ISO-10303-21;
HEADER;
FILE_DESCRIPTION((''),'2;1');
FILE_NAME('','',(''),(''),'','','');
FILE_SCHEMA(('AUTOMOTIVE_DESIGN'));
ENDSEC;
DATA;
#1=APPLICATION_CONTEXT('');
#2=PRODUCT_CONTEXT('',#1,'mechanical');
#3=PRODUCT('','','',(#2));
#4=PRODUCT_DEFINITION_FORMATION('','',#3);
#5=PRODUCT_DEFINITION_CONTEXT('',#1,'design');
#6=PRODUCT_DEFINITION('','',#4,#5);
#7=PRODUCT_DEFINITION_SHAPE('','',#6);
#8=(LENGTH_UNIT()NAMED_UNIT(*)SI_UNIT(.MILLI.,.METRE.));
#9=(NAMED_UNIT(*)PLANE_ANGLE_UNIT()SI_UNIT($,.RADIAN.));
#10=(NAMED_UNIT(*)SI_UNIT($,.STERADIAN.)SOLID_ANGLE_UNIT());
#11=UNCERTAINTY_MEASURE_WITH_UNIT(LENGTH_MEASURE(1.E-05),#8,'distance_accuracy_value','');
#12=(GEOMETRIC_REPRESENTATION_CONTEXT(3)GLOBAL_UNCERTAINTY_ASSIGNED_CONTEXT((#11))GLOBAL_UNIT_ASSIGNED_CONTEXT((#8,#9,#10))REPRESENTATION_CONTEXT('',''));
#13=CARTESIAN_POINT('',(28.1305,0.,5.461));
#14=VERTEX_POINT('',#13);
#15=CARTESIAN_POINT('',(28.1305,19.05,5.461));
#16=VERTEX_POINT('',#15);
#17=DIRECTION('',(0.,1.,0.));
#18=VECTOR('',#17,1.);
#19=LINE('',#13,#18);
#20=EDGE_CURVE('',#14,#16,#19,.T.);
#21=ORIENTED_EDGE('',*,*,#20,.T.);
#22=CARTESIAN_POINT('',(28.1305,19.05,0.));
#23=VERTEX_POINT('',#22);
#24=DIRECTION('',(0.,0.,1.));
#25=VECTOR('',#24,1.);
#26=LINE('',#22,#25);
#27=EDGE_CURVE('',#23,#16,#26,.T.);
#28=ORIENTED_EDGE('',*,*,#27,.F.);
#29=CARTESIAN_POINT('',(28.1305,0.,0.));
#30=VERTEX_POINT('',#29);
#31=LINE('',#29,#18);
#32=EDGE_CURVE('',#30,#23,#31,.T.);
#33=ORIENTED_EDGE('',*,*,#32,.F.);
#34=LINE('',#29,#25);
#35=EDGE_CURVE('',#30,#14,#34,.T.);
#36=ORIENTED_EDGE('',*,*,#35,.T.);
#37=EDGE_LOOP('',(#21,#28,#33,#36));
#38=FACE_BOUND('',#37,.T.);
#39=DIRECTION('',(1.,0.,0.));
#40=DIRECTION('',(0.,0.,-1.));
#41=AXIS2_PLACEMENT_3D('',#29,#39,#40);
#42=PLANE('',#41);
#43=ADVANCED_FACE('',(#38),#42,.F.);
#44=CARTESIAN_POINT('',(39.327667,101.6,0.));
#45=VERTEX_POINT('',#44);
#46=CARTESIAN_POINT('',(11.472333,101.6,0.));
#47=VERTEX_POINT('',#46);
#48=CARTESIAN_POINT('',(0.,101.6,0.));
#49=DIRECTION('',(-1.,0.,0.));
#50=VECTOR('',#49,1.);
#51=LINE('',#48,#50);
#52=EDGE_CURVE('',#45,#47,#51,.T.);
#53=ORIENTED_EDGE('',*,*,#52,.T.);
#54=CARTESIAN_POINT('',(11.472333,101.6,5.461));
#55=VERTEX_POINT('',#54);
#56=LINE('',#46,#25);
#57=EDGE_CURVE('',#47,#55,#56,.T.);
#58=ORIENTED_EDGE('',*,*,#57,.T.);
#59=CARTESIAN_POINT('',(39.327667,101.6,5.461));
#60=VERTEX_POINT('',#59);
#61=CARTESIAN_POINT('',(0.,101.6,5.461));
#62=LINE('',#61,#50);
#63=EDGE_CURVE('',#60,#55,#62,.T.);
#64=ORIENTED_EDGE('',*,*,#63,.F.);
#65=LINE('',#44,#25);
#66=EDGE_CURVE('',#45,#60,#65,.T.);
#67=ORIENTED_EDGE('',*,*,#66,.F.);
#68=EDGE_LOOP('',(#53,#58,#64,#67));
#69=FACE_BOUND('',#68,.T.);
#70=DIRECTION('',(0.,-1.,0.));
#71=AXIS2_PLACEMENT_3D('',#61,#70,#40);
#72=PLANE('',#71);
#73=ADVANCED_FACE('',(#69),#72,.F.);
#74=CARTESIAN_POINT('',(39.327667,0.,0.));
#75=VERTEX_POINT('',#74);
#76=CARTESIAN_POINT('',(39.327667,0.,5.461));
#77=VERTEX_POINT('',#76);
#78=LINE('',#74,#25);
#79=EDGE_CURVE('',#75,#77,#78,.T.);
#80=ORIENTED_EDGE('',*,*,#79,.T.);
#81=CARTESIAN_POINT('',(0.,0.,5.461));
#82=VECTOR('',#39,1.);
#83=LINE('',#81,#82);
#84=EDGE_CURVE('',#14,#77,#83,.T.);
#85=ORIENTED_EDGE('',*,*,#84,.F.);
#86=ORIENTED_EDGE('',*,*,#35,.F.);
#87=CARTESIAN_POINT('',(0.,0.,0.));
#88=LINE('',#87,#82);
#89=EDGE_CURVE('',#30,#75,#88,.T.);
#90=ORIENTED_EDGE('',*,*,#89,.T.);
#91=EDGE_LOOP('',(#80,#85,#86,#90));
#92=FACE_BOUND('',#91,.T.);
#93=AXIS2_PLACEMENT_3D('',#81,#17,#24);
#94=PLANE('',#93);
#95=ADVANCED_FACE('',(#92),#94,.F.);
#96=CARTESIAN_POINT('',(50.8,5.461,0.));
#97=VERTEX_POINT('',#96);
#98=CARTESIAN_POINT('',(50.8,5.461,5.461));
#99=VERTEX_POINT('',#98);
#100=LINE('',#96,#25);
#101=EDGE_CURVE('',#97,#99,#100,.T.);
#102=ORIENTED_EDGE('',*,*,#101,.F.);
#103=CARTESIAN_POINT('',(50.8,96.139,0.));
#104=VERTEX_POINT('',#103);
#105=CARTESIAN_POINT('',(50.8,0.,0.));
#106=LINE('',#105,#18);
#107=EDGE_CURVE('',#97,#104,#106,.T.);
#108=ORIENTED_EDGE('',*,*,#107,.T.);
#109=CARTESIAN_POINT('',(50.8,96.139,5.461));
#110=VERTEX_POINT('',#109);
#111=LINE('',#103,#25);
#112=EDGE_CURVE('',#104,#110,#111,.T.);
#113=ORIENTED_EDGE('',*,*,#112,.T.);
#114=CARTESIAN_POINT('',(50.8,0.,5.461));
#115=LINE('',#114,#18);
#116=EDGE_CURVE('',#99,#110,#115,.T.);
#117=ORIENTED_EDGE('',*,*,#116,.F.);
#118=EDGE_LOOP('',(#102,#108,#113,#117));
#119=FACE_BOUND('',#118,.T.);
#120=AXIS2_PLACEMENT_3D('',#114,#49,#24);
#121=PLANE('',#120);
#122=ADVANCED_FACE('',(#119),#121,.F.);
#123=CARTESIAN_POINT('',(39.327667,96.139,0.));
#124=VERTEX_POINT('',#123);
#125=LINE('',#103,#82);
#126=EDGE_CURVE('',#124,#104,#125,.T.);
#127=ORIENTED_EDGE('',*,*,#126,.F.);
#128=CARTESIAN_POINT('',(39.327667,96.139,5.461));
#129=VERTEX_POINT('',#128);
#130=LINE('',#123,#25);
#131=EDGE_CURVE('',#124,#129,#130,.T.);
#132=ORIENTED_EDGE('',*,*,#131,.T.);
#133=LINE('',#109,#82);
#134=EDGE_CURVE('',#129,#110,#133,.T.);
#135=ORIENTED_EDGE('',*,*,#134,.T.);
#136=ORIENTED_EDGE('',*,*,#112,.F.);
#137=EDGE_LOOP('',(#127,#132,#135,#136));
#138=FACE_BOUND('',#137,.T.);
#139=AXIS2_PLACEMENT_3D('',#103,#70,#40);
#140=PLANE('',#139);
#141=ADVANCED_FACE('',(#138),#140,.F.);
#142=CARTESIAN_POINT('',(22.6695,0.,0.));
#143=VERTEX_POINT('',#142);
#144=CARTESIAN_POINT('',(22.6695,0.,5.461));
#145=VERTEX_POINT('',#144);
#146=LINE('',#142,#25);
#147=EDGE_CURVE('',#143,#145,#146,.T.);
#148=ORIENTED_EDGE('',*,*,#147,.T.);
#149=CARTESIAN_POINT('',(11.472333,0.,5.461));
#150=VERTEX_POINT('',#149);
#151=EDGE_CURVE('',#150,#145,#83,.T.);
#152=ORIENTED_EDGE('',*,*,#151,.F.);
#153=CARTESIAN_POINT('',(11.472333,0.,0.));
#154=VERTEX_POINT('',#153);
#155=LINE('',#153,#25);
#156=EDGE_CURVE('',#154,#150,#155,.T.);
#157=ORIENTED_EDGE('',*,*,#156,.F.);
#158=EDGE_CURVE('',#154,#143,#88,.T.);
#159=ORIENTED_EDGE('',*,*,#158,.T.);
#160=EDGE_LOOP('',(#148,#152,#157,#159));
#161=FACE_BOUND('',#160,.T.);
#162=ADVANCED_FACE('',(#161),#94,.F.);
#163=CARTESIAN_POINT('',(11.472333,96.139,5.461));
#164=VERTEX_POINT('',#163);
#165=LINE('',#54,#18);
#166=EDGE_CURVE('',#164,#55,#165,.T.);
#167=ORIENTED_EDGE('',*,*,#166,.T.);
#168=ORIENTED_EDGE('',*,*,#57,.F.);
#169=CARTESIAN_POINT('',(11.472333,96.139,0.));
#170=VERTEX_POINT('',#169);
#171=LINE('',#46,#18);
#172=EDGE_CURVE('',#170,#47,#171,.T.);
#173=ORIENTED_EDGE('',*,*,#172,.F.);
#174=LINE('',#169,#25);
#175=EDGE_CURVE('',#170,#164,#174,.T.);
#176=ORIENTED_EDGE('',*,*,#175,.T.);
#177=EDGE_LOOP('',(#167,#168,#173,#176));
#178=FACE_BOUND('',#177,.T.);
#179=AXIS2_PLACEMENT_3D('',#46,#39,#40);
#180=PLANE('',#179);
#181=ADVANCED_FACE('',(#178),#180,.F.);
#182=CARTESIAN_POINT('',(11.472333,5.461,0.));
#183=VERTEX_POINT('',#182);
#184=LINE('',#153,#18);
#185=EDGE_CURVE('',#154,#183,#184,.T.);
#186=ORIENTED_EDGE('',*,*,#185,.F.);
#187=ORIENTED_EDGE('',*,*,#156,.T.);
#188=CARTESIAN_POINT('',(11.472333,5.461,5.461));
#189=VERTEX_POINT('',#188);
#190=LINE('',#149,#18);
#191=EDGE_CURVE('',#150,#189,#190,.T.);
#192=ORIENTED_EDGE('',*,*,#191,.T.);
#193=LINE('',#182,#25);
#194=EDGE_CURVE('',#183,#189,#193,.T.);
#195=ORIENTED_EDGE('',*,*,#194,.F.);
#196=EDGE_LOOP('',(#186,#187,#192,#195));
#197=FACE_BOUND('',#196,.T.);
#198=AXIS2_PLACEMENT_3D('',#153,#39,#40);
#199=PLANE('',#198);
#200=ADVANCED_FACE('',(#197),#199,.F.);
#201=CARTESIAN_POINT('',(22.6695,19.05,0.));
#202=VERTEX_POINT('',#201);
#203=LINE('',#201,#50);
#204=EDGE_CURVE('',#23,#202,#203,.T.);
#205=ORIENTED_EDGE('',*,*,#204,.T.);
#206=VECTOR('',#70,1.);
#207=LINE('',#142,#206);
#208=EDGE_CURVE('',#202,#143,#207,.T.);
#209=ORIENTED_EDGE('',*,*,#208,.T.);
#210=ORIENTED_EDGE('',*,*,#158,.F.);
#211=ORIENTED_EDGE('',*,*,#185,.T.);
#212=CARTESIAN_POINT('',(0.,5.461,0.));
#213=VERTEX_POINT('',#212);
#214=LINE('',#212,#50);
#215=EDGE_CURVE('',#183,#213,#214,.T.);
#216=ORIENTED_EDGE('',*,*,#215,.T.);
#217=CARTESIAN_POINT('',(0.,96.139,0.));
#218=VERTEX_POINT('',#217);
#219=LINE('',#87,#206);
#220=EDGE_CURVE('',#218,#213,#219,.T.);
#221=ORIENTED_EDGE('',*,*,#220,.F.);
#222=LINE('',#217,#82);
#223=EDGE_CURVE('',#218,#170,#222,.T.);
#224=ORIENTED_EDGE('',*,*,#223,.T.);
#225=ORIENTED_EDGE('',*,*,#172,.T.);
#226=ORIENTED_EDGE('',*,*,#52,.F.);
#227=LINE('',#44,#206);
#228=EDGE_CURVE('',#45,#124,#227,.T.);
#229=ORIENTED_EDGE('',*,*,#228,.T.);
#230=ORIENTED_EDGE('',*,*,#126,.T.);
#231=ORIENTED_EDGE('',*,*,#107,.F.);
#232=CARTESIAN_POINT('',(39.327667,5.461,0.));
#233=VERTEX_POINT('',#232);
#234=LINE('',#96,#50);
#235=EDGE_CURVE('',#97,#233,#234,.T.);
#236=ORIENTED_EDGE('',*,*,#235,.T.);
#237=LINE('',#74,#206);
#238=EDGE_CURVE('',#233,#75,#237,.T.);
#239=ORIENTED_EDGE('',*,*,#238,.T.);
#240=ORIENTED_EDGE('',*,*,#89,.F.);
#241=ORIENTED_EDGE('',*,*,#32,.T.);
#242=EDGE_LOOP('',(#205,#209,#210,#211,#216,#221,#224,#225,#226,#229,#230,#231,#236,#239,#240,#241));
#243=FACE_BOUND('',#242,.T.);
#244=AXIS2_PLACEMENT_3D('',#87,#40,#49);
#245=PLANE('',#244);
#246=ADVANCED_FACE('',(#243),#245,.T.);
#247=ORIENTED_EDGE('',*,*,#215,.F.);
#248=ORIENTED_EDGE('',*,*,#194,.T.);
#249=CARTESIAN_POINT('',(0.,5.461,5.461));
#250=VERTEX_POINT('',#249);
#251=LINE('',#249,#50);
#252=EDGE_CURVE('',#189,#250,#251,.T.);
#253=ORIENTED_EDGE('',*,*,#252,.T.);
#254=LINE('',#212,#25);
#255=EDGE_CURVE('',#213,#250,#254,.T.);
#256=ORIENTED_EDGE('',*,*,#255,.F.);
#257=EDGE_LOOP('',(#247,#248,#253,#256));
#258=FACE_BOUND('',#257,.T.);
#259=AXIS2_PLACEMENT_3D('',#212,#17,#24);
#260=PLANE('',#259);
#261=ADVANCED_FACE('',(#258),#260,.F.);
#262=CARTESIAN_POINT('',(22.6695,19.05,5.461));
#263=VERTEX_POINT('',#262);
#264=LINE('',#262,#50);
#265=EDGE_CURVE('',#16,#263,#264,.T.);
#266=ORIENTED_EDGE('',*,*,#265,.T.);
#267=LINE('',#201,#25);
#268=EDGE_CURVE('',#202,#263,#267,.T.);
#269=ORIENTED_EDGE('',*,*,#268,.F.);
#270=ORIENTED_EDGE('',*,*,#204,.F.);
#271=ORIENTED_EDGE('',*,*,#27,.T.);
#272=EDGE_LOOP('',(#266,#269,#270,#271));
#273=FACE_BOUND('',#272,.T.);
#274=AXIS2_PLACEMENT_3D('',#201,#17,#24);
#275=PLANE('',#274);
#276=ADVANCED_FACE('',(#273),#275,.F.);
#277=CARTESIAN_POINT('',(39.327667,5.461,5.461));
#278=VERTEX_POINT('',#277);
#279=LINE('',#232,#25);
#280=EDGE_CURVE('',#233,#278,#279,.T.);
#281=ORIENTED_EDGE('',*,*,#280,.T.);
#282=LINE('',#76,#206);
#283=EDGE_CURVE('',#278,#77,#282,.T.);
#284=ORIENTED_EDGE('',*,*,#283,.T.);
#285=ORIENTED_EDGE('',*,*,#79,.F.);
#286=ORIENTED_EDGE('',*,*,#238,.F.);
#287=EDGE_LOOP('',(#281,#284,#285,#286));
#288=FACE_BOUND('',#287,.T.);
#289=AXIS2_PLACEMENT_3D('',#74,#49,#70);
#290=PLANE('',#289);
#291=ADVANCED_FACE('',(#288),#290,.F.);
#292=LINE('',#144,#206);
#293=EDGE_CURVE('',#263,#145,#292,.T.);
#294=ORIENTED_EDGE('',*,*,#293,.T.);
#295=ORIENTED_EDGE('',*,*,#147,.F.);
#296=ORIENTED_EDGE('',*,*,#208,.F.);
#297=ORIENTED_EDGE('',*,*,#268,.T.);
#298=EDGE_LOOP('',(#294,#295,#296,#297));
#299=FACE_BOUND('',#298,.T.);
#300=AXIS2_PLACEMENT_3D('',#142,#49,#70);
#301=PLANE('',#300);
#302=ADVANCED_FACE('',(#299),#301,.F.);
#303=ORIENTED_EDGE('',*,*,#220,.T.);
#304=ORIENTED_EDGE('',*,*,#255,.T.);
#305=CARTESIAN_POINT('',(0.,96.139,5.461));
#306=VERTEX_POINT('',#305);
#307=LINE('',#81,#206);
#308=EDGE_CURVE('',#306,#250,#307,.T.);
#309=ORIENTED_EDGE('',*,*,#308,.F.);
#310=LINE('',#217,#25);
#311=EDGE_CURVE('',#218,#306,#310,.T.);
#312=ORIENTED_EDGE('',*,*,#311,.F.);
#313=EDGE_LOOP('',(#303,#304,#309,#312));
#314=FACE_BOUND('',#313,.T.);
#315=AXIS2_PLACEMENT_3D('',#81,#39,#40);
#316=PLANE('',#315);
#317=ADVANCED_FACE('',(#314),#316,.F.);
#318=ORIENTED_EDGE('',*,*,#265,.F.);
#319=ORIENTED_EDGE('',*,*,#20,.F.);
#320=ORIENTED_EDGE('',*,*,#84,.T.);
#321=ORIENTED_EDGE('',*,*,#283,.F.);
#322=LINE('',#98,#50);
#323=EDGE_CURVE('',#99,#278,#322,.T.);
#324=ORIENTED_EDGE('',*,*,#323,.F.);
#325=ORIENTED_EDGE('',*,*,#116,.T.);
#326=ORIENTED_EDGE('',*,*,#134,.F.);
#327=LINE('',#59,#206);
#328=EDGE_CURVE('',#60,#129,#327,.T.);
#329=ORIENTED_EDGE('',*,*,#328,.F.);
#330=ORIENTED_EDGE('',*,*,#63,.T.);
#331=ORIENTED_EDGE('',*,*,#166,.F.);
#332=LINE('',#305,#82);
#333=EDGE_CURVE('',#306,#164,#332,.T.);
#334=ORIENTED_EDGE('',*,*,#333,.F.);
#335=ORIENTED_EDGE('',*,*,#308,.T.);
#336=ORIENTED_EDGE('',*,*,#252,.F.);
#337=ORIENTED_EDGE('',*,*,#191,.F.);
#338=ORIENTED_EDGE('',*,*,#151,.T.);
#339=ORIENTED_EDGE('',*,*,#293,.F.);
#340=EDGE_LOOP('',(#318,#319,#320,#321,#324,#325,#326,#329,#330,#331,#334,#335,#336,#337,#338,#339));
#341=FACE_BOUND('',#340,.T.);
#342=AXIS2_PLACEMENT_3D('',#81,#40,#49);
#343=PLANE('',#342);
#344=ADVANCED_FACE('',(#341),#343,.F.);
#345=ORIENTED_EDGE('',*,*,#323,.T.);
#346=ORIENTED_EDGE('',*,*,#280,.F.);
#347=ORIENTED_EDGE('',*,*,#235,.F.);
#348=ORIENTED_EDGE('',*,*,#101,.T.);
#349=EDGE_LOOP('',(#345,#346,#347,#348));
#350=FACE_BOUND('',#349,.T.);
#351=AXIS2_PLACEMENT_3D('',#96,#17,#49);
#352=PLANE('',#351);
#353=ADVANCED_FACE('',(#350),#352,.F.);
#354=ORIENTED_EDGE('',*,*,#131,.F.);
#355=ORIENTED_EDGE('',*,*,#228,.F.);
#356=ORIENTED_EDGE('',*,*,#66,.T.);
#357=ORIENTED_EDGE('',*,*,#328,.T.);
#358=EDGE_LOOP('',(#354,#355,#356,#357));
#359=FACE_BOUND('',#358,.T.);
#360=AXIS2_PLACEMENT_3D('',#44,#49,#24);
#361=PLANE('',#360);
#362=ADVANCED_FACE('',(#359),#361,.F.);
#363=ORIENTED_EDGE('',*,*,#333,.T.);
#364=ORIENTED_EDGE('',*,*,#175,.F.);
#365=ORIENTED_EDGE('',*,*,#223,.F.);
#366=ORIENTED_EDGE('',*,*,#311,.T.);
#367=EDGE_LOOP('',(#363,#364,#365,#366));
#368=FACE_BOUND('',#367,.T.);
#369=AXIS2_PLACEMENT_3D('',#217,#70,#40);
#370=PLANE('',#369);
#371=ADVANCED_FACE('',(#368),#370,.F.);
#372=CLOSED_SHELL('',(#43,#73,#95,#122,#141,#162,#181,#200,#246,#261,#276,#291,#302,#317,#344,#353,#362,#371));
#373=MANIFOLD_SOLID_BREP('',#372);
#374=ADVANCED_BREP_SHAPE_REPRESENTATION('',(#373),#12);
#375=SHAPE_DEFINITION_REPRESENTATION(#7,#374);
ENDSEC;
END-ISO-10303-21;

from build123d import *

# Parameters (mm, degrees)
SKETCH1_W           = 50.8
SKETCH1_H           = 101.6
BOSS_EXTRUDE1_DEPTH = 5.461
SKETCH2_W           = 5.461
SKETCH2_H           = 19.05
SKETCH2_W_2         = 11.472333333
SKETCH2_H_2         = 5.461
CUT_EXTRUDE1_DEPTH  = 5.461


with BuildPart() as part:
    # Sketch1 → Boss-Extrude1 (new body)
    with BuildSketch(Plane.XY):
        with Locations((25.4, 50.8)):
            Rectangle(SKETCH1_W, SKETCH1_H)
    extrude(amount=BOSS_EXTRUDE1_DEPTH)

    # Sketch2 → Cut-Extrude1 (cut)
    with BuildSketch(Plane.XY.offset(5.461)):
        with Locations((25.4, 9.525)):
            Rectangle(SKETCH2_W, SKETCH2_H)
        with Locations((5.736166666, 98.8695)):
            Rectangle(SKETCH2_W_2, SKETCH2_H_2)
        with Locations((45.063833333, 98.8695)):
            Rectangle(SKETCH2_W_2, SKETCH2_H_2)
        with Locations((45.063833333, 2.7305)):
            Rectangle(SKETCH2_W_2, SKETCH2_H_2)
        with Locations((5.736166666, 2.7305)):
            Rectangle(SKETCH2_W_2, SKETCH2_H_2)
    extrude(amount=-CUT_EXTRUDE1_DEPTH, mode=Mode.SUBTRACT)


solid = part.part
